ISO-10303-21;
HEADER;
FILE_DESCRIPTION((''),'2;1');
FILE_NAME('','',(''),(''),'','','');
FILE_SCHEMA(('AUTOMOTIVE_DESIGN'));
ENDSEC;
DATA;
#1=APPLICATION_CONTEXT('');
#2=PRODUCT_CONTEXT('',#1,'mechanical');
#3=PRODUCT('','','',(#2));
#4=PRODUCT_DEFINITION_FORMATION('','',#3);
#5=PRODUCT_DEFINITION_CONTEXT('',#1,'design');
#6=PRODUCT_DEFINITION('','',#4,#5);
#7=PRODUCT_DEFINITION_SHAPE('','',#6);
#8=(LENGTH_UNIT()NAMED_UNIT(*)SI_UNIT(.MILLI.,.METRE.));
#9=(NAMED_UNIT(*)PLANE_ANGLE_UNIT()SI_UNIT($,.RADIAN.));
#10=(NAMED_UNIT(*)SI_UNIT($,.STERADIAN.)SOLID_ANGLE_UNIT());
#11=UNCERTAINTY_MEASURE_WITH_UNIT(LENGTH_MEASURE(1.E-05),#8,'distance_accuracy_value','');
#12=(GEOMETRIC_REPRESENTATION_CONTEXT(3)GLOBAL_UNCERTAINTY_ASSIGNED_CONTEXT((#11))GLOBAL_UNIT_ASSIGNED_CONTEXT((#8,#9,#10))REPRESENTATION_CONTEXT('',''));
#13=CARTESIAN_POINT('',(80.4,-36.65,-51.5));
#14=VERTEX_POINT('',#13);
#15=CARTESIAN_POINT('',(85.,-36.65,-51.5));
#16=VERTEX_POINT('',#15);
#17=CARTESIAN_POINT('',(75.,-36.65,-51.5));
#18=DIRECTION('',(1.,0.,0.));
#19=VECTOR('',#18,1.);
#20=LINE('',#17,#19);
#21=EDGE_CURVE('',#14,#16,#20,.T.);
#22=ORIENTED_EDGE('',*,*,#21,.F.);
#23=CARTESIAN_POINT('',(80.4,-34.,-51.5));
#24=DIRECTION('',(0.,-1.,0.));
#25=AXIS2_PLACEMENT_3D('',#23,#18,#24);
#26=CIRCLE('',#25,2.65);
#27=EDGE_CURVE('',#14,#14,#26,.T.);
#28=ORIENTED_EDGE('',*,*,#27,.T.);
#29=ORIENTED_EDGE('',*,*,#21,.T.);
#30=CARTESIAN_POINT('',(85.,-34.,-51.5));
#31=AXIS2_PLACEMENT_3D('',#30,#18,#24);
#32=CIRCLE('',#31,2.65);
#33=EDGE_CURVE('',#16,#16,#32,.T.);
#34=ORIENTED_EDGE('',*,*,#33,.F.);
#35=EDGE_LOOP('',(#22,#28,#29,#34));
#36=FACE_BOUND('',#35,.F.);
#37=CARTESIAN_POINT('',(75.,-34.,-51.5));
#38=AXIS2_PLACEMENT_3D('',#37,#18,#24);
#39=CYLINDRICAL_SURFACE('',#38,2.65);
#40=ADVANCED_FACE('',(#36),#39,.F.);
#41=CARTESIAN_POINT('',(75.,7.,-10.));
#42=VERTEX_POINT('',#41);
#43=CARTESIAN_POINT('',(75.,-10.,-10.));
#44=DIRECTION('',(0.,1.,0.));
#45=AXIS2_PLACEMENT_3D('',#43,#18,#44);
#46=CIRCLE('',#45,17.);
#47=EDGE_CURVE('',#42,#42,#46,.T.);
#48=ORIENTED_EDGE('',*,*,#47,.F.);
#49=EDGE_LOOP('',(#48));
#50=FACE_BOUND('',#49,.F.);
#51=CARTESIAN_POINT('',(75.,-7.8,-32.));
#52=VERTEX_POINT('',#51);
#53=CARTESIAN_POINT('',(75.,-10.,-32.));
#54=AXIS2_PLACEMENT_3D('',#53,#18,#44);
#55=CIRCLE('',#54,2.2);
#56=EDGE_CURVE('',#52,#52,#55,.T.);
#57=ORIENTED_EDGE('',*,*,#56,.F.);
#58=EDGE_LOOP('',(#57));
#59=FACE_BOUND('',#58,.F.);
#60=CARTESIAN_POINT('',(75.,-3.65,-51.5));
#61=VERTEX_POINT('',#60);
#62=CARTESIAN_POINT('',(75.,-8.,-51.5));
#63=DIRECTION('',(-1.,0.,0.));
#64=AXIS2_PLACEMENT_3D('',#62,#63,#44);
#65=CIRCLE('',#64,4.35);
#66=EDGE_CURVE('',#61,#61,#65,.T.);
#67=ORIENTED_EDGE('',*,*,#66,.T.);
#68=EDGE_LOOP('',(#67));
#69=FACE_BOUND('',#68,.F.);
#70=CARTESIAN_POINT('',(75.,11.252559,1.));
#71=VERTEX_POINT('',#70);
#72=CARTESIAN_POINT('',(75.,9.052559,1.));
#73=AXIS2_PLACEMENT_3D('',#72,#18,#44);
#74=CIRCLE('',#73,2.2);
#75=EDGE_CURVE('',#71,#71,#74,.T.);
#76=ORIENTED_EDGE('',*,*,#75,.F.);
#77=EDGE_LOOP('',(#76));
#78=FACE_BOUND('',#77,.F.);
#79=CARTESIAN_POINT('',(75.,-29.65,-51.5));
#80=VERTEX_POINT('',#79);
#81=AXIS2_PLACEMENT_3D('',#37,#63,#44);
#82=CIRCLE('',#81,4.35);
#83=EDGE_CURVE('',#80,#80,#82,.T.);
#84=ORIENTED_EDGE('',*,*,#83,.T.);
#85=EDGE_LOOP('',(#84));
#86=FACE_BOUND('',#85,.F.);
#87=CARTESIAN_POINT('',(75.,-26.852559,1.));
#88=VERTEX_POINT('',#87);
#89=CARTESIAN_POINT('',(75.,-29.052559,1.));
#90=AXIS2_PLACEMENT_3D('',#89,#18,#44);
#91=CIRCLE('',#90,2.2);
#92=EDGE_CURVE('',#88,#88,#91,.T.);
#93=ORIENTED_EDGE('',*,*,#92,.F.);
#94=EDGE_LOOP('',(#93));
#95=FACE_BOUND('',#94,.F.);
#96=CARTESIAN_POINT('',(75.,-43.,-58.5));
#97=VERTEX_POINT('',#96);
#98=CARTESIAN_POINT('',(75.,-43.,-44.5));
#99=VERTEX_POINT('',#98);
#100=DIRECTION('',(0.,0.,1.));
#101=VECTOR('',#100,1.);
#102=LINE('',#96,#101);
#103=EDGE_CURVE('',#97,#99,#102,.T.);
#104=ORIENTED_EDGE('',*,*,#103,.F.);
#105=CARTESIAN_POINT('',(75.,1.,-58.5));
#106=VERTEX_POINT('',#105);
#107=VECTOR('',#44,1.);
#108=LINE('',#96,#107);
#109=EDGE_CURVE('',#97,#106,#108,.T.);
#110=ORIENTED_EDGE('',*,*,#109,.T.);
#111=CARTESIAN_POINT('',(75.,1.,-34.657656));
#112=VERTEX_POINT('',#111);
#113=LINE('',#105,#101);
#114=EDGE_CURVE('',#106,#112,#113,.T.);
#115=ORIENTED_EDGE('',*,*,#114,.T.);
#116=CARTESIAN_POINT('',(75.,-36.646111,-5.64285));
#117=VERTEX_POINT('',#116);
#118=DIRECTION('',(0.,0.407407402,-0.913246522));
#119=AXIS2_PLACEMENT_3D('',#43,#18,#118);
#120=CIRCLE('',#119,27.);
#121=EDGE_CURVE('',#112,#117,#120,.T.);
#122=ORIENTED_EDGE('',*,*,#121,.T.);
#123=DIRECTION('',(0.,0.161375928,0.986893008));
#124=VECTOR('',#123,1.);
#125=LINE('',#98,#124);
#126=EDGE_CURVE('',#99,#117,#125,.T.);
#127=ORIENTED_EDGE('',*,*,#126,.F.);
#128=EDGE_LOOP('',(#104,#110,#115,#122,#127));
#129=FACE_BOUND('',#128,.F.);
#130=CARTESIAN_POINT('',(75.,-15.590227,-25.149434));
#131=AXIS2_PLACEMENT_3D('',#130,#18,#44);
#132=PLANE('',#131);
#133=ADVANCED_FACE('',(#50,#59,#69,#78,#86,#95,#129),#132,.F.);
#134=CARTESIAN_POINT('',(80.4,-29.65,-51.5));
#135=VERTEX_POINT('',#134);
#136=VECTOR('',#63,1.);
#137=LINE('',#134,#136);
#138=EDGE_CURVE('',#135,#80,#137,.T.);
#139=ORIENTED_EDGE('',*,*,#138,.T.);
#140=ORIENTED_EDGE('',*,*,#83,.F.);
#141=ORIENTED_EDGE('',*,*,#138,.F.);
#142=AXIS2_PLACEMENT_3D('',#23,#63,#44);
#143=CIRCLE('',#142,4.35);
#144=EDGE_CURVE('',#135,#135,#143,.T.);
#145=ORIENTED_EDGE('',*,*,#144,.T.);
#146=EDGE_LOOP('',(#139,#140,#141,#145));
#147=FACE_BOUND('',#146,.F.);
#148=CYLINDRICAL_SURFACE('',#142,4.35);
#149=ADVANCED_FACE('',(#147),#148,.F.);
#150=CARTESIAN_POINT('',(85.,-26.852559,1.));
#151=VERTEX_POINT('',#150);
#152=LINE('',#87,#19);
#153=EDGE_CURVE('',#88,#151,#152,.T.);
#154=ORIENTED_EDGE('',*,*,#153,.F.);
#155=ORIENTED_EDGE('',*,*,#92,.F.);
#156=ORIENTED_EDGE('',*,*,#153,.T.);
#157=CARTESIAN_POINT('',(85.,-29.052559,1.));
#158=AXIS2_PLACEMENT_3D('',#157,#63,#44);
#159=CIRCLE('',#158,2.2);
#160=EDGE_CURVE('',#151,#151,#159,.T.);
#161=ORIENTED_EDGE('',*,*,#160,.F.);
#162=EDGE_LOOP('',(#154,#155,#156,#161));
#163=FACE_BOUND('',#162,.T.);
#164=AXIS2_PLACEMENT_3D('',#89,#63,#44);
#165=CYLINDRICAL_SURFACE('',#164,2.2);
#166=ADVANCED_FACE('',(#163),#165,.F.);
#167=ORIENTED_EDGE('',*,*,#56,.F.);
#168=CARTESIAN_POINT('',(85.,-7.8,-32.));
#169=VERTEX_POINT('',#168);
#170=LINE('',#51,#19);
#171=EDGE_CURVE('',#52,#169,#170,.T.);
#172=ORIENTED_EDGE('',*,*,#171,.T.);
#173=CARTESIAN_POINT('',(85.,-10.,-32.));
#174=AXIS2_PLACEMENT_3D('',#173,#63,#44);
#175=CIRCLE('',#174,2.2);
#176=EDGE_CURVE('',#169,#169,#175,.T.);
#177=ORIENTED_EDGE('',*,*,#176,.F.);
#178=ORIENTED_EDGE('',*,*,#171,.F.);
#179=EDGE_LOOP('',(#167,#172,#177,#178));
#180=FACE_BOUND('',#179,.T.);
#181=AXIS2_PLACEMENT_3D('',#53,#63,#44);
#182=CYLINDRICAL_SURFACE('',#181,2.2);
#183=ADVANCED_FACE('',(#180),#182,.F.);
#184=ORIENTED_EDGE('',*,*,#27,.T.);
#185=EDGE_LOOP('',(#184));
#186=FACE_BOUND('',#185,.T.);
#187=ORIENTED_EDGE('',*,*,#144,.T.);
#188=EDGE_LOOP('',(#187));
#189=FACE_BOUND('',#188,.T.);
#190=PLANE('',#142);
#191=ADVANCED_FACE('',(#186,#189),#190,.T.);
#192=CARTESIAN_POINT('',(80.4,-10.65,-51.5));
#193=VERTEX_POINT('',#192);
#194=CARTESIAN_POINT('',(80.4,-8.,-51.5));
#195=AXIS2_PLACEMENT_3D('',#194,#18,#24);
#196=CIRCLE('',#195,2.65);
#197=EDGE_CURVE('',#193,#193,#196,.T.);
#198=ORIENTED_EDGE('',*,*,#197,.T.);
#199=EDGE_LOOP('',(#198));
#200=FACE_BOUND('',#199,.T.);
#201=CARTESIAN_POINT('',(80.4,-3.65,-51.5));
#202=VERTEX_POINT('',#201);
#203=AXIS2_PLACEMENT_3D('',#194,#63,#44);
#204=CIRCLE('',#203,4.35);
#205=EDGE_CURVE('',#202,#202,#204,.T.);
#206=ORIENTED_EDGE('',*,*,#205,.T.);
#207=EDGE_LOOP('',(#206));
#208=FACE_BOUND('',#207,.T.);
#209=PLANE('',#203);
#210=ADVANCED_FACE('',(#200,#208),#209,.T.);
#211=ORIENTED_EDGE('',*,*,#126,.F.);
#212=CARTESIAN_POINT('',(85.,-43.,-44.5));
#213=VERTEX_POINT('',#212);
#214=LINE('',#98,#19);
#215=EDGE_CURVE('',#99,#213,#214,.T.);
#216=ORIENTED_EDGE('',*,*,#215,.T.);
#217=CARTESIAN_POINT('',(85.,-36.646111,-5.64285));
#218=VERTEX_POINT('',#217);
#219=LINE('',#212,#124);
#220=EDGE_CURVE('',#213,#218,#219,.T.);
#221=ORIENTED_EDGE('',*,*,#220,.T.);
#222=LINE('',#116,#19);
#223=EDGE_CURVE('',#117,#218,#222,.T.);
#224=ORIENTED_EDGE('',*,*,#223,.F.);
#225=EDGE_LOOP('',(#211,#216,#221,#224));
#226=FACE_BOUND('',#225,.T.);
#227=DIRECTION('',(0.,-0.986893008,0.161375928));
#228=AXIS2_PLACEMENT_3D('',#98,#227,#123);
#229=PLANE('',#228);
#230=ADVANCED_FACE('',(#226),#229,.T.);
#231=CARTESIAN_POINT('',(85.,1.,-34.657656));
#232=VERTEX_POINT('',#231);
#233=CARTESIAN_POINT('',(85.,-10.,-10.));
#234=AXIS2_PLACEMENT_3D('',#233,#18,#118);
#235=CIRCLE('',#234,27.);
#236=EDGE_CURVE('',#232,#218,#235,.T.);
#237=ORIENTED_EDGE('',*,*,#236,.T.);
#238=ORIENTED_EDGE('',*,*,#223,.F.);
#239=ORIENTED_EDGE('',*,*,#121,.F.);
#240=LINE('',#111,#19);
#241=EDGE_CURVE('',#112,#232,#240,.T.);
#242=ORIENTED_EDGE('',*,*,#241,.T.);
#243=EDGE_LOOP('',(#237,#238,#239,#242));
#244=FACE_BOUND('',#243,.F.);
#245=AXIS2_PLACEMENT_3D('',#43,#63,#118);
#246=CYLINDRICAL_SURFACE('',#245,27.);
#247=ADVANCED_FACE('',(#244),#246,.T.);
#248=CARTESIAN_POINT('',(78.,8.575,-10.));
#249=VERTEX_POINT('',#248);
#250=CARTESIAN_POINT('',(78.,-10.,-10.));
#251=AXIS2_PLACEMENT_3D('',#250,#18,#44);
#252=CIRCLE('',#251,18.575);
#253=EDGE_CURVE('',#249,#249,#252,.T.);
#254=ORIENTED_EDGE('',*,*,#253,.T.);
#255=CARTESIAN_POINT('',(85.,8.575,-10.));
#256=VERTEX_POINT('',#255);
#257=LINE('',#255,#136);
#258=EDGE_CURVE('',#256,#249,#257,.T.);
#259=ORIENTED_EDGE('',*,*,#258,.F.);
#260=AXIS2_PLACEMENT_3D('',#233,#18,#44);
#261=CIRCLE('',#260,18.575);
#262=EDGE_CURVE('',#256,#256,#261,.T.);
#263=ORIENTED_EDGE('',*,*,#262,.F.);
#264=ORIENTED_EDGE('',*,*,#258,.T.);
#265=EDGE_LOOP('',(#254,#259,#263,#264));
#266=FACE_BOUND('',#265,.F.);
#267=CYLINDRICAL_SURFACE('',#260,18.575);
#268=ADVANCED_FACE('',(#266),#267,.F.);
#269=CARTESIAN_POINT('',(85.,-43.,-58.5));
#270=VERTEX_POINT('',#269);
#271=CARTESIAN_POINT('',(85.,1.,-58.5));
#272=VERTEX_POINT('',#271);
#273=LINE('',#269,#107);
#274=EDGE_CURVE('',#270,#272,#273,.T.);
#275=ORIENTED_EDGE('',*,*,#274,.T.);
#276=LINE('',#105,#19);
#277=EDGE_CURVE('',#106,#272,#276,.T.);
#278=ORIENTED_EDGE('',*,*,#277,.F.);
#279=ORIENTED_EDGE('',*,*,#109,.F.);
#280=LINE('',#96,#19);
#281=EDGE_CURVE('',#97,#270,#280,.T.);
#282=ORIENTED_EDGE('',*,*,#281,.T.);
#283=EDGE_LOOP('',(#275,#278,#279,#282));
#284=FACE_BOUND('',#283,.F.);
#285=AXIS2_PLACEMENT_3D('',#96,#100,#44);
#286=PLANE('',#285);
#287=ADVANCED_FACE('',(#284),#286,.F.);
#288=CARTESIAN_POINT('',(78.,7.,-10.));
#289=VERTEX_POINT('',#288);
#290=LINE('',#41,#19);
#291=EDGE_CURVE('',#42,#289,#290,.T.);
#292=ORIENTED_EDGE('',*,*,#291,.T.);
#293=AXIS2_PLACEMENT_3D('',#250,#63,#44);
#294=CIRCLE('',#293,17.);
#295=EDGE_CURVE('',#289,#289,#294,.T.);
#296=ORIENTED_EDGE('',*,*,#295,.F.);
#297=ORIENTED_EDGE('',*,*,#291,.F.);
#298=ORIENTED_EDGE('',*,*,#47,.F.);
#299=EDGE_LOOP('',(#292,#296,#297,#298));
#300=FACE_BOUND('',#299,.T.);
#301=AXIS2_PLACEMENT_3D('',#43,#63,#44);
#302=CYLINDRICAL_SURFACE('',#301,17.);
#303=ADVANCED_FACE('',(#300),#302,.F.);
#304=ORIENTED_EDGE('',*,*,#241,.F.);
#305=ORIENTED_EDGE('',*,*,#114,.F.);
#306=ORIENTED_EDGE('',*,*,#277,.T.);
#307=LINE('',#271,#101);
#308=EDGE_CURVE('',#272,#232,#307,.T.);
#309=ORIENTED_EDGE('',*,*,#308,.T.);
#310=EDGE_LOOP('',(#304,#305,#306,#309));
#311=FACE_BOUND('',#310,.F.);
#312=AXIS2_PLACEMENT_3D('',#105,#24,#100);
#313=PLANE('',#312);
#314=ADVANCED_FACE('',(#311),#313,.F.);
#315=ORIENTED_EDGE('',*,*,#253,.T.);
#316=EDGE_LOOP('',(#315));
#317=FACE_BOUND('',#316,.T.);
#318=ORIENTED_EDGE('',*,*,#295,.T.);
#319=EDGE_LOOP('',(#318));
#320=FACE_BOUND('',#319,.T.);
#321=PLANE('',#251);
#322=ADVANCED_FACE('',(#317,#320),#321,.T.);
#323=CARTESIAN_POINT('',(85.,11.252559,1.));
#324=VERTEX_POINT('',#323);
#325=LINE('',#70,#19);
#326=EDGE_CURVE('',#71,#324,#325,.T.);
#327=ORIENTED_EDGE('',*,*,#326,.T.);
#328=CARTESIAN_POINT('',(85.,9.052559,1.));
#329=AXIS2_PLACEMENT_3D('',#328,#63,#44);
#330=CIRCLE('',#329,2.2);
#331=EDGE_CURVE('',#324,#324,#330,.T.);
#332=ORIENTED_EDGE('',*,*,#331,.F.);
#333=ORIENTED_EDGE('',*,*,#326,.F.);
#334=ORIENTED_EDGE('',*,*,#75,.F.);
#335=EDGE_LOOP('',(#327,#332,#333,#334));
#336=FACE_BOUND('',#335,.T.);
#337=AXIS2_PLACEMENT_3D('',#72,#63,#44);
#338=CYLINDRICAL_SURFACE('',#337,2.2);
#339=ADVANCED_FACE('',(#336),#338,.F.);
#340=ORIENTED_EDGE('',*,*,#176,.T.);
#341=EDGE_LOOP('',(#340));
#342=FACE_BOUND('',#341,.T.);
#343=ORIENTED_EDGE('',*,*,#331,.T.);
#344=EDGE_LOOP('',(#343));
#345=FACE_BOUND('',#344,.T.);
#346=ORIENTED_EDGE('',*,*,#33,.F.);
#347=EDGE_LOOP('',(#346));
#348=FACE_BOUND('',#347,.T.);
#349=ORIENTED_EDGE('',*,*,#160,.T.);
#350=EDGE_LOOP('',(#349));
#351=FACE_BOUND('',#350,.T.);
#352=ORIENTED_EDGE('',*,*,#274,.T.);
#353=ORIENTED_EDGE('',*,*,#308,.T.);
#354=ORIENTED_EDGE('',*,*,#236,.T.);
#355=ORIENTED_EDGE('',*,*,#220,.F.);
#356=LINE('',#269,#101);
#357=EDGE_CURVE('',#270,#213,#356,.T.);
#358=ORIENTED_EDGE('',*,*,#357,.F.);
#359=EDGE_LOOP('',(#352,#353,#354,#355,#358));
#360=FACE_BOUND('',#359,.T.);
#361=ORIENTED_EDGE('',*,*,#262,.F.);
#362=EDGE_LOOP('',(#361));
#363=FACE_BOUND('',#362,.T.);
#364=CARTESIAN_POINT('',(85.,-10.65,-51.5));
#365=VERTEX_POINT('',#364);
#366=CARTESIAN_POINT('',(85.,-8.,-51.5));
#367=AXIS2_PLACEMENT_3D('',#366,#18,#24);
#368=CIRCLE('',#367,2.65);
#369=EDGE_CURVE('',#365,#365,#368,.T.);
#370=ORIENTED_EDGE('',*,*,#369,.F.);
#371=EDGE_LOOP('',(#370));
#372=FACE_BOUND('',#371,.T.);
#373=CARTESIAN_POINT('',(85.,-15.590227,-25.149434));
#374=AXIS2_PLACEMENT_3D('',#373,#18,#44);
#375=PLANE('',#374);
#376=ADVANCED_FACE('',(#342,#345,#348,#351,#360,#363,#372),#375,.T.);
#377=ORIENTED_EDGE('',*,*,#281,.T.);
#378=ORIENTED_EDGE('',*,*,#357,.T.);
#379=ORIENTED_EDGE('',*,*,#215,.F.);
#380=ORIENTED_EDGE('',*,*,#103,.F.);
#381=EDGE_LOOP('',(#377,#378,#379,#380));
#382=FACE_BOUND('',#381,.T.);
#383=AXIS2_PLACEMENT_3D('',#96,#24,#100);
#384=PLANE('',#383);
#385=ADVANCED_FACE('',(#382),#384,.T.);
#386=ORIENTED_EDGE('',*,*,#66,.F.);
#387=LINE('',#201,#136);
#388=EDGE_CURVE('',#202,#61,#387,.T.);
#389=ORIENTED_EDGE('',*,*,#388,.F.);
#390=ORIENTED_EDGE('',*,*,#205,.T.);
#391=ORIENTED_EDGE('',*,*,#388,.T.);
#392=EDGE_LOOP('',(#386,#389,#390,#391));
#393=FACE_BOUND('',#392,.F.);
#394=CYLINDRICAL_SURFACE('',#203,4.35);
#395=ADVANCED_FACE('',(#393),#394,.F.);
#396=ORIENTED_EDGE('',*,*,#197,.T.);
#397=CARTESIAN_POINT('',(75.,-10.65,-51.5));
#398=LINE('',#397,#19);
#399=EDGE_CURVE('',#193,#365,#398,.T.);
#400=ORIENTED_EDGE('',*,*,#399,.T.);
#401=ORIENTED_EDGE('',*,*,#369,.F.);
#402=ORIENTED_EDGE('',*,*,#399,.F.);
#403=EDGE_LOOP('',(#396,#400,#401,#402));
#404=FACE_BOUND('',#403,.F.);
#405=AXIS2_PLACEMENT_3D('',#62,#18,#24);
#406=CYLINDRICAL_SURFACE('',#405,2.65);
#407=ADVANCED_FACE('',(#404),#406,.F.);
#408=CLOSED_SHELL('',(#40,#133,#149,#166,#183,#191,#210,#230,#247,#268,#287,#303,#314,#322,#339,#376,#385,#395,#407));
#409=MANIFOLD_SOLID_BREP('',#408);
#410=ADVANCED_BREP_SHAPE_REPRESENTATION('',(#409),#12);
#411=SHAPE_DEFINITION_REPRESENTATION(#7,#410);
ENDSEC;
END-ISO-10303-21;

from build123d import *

# Parameters (mm, degrees)
SKETCH049_R         = 17
PAD030_DEPTH        = 10
SKETCH066_R         = 18.575
POCKET019_DEPTH     = 7
HOLE005_D           = 5.3
HOLE005_DEPTH       = 25
HOLE005_CBORE_D     = 8.7
HOLE005_CBORE_DEPTH = 5.4
SKETCH061_R         = 2.2
POCKET021_DEPTH     = 10.001


with BuildPart() as part:
    # Sketch049 → Pad030 (new body)
    with BuildSketch(Plane.YZ.offset(81)):
        with BuildLine():
            ThreePointArc((1, -34.657656), (6.482261, 11.385394), (-36.646111, -5.64285))
            Line((-43, -44.5), (-36.646111, -5.64285))
            Line((-43, -58.5), (-43, -44.5))
            Line((-43, -58.5), (1, -58.5))
            Line((1, -58.5), (1, -34.657656))
        make_face()
        with Locations((-10, -10)):
            Circle(SKETCH049_R, mode=Mode.SUBTRACT)
    extrude(amount=PAD030_DEPTH)

    # Sketch066 → Pocket019 (cut)
    with BuildSketch(Plane.YZ.offset(91)):
        with Locations((-10, -10)):
            Circle(SKETCH066_R)
    extrude(amount=-POCKET019_DEPTH, mode=Mode.SUBTRACT)

    # Hole005
    with Locations(Plane(origin=(81, 0, 0), x_dir=(0, 1, 0), z_dir=(-1, 0, 0))):
        with Locations((-34, 51.5), (-8, 51.5)):
            CounterBoreHole(HOLE005_D / 2, HOLE005_CBORE_D / 2, HOLE005_CBORE_DEPTH, depth=HOLE005_DEPTH)

    # Sketch061 → Pocket021 (cut, through all)
    with BuildSketch(Plane.YZ.offset(81)):
        with Locations((-29.052559, 1)):
            Circle(SKETCH061_R)
        with Locations((9.052559, 1)):
            Circle(SKETCH061_R)
        with Locations((-10, -32)):
            Circle(SKETCH061_R)
    extrude(amount=POCKET021_DEPTH, mode=Mode.SUBTRACT)


with BuildPart() as part_1:
    # Body012 placement: moved
    add(part.part.moved(Location((-6, 0, 0))))


solid = part_1.part
